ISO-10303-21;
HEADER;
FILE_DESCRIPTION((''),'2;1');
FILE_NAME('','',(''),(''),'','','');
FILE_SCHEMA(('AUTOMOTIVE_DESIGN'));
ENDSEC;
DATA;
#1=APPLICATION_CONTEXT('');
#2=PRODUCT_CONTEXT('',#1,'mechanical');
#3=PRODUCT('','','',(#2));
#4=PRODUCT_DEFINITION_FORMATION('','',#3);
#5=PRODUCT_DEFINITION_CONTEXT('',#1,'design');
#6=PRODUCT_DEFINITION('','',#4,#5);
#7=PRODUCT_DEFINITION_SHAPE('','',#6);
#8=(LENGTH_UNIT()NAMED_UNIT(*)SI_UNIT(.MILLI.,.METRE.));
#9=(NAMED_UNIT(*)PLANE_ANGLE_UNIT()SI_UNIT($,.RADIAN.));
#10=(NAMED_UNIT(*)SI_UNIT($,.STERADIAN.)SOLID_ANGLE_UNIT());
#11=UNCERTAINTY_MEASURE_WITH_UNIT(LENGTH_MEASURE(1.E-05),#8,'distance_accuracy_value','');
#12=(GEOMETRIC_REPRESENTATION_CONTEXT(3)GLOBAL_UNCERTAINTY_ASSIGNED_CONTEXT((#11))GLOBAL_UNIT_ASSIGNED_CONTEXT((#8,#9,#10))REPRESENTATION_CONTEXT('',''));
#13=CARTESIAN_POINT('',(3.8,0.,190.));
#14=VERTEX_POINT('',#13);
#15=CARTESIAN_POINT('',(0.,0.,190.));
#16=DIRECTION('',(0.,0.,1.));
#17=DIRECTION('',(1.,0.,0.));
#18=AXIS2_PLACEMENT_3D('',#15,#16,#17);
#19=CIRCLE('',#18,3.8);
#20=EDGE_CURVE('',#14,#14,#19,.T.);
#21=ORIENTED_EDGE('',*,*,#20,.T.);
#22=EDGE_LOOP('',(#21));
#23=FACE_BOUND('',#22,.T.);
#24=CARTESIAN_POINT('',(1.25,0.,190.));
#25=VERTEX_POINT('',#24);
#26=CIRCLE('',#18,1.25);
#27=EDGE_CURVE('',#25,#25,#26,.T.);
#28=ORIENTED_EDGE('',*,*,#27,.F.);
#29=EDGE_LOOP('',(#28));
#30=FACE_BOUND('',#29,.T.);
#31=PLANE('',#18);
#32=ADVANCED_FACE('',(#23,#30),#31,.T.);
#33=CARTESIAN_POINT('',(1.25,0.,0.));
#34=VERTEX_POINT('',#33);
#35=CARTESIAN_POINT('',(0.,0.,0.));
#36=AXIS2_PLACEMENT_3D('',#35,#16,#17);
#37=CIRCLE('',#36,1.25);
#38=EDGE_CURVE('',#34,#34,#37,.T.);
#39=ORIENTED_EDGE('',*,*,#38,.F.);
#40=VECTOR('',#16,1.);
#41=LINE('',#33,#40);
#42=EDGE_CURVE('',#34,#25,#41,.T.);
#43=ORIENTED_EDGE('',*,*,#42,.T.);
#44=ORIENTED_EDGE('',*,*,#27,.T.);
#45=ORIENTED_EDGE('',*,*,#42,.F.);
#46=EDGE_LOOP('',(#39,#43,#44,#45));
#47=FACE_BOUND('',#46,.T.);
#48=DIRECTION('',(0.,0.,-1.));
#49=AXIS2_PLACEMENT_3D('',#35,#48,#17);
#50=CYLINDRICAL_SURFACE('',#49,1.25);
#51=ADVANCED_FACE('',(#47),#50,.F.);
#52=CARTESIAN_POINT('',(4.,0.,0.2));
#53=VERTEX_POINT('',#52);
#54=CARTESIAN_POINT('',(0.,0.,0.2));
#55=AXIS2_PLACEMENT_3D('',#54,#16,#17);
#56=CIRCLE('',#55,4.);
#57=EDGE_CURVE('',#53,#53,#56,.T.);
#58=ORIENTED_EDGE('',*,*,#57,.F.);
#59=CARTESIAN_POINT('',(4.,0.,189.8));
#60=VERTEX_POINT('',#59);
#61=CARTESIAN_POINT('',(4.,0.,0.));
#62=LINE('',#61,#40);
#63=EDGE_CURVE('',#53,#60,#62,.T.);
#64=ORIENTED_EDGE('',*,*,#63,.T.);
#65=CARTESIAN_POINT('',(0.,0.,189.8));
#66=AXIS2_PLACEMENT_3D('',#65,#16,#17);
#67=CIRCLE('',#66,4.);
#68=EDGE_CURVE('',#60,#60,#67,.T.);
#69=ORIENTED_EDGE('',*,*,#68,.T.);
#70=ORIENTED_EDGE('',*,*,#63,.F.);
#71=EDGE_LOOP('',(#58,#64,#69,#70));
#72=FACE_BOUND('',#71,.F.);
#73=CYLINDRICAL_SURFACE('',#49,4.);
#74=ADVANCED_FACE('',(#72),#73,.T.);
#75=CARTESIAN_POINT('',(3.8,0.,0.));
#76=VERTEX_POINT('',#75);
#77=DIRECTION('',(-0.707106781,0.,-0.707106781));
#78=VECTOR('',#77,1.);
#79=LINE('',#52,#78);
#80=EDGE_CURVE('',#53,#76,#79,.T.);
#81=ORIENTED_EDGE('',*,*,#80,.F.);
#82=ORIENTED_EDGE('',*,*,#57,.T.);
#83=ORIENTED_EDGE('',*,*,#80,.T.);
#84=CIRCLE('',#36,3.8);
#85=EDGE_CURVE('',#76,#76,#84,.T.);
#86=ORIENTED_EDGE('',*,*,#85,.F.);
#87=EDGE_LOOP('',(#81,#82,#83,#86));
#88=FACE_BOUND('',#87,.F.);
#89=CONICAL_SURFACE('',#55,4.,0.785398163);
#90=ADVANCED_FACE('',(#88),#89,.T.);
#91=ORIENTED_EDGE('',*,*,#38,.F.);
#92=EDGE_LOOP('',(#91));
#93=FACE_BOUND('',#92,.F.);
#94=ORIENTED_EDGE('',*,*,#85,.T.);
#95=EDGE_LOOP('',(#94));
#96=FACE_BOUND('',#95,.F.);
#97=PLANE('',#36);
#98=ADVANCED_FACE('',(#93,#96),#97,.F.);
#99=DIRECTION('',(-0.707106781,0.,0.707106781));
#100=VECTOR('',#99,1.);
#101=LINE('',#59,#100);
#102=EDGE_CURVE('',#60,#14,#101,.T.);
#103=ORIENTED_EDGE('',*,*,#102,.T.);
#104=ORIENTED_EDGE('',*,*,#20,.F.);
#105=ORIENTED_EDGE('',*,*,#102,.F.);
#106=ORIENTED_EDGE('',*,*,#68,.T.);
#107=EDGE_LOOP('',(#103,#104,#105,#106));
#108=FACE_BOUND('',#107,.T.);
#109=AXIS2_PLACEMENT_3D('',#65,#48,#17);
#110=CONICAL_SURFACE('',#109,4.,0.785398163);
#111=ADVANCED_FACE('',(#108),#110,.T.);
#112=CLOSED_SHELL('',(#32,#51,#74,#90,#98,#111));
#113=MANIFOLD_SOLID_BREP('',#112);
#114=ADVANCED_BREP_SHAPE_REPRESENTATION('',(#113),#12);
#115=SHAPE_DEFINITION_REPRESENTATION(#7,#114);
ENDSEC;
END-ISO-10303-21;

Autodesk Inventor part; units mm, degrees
ref_plane "YZ Plane" through (0, 0, 0) normal (1, 0, 0) x (0, 1, 0)
ref_plane "XZ Plane" through (0, 0, 0) normal (0, 1, 0) x (-1, 0, 0)
ref_plane "XY Plane" through (0, 0, 0) normal (0, 0, 1) x (1, 0, 0)
sketch "スケッチ1" plane through (0, 0, 0) normal (0, 0, 1) x (1, 0, 0)
  circle A0 centre (0, 0) radius 4
  circle A1 centre (0, 0) radius 1.25
  dimension "d0" = 8
  dimension "d1" = 2.5
extrude "押し出し1" add sketch "スケッチ1" along normal blind 190
chamfer "面取り1" distance 0.2 angle 45 2 edges at (-4, 0, 190) (-4, 0, 0)
properties part number "軸8-170" material "アルミニウム 6061"
